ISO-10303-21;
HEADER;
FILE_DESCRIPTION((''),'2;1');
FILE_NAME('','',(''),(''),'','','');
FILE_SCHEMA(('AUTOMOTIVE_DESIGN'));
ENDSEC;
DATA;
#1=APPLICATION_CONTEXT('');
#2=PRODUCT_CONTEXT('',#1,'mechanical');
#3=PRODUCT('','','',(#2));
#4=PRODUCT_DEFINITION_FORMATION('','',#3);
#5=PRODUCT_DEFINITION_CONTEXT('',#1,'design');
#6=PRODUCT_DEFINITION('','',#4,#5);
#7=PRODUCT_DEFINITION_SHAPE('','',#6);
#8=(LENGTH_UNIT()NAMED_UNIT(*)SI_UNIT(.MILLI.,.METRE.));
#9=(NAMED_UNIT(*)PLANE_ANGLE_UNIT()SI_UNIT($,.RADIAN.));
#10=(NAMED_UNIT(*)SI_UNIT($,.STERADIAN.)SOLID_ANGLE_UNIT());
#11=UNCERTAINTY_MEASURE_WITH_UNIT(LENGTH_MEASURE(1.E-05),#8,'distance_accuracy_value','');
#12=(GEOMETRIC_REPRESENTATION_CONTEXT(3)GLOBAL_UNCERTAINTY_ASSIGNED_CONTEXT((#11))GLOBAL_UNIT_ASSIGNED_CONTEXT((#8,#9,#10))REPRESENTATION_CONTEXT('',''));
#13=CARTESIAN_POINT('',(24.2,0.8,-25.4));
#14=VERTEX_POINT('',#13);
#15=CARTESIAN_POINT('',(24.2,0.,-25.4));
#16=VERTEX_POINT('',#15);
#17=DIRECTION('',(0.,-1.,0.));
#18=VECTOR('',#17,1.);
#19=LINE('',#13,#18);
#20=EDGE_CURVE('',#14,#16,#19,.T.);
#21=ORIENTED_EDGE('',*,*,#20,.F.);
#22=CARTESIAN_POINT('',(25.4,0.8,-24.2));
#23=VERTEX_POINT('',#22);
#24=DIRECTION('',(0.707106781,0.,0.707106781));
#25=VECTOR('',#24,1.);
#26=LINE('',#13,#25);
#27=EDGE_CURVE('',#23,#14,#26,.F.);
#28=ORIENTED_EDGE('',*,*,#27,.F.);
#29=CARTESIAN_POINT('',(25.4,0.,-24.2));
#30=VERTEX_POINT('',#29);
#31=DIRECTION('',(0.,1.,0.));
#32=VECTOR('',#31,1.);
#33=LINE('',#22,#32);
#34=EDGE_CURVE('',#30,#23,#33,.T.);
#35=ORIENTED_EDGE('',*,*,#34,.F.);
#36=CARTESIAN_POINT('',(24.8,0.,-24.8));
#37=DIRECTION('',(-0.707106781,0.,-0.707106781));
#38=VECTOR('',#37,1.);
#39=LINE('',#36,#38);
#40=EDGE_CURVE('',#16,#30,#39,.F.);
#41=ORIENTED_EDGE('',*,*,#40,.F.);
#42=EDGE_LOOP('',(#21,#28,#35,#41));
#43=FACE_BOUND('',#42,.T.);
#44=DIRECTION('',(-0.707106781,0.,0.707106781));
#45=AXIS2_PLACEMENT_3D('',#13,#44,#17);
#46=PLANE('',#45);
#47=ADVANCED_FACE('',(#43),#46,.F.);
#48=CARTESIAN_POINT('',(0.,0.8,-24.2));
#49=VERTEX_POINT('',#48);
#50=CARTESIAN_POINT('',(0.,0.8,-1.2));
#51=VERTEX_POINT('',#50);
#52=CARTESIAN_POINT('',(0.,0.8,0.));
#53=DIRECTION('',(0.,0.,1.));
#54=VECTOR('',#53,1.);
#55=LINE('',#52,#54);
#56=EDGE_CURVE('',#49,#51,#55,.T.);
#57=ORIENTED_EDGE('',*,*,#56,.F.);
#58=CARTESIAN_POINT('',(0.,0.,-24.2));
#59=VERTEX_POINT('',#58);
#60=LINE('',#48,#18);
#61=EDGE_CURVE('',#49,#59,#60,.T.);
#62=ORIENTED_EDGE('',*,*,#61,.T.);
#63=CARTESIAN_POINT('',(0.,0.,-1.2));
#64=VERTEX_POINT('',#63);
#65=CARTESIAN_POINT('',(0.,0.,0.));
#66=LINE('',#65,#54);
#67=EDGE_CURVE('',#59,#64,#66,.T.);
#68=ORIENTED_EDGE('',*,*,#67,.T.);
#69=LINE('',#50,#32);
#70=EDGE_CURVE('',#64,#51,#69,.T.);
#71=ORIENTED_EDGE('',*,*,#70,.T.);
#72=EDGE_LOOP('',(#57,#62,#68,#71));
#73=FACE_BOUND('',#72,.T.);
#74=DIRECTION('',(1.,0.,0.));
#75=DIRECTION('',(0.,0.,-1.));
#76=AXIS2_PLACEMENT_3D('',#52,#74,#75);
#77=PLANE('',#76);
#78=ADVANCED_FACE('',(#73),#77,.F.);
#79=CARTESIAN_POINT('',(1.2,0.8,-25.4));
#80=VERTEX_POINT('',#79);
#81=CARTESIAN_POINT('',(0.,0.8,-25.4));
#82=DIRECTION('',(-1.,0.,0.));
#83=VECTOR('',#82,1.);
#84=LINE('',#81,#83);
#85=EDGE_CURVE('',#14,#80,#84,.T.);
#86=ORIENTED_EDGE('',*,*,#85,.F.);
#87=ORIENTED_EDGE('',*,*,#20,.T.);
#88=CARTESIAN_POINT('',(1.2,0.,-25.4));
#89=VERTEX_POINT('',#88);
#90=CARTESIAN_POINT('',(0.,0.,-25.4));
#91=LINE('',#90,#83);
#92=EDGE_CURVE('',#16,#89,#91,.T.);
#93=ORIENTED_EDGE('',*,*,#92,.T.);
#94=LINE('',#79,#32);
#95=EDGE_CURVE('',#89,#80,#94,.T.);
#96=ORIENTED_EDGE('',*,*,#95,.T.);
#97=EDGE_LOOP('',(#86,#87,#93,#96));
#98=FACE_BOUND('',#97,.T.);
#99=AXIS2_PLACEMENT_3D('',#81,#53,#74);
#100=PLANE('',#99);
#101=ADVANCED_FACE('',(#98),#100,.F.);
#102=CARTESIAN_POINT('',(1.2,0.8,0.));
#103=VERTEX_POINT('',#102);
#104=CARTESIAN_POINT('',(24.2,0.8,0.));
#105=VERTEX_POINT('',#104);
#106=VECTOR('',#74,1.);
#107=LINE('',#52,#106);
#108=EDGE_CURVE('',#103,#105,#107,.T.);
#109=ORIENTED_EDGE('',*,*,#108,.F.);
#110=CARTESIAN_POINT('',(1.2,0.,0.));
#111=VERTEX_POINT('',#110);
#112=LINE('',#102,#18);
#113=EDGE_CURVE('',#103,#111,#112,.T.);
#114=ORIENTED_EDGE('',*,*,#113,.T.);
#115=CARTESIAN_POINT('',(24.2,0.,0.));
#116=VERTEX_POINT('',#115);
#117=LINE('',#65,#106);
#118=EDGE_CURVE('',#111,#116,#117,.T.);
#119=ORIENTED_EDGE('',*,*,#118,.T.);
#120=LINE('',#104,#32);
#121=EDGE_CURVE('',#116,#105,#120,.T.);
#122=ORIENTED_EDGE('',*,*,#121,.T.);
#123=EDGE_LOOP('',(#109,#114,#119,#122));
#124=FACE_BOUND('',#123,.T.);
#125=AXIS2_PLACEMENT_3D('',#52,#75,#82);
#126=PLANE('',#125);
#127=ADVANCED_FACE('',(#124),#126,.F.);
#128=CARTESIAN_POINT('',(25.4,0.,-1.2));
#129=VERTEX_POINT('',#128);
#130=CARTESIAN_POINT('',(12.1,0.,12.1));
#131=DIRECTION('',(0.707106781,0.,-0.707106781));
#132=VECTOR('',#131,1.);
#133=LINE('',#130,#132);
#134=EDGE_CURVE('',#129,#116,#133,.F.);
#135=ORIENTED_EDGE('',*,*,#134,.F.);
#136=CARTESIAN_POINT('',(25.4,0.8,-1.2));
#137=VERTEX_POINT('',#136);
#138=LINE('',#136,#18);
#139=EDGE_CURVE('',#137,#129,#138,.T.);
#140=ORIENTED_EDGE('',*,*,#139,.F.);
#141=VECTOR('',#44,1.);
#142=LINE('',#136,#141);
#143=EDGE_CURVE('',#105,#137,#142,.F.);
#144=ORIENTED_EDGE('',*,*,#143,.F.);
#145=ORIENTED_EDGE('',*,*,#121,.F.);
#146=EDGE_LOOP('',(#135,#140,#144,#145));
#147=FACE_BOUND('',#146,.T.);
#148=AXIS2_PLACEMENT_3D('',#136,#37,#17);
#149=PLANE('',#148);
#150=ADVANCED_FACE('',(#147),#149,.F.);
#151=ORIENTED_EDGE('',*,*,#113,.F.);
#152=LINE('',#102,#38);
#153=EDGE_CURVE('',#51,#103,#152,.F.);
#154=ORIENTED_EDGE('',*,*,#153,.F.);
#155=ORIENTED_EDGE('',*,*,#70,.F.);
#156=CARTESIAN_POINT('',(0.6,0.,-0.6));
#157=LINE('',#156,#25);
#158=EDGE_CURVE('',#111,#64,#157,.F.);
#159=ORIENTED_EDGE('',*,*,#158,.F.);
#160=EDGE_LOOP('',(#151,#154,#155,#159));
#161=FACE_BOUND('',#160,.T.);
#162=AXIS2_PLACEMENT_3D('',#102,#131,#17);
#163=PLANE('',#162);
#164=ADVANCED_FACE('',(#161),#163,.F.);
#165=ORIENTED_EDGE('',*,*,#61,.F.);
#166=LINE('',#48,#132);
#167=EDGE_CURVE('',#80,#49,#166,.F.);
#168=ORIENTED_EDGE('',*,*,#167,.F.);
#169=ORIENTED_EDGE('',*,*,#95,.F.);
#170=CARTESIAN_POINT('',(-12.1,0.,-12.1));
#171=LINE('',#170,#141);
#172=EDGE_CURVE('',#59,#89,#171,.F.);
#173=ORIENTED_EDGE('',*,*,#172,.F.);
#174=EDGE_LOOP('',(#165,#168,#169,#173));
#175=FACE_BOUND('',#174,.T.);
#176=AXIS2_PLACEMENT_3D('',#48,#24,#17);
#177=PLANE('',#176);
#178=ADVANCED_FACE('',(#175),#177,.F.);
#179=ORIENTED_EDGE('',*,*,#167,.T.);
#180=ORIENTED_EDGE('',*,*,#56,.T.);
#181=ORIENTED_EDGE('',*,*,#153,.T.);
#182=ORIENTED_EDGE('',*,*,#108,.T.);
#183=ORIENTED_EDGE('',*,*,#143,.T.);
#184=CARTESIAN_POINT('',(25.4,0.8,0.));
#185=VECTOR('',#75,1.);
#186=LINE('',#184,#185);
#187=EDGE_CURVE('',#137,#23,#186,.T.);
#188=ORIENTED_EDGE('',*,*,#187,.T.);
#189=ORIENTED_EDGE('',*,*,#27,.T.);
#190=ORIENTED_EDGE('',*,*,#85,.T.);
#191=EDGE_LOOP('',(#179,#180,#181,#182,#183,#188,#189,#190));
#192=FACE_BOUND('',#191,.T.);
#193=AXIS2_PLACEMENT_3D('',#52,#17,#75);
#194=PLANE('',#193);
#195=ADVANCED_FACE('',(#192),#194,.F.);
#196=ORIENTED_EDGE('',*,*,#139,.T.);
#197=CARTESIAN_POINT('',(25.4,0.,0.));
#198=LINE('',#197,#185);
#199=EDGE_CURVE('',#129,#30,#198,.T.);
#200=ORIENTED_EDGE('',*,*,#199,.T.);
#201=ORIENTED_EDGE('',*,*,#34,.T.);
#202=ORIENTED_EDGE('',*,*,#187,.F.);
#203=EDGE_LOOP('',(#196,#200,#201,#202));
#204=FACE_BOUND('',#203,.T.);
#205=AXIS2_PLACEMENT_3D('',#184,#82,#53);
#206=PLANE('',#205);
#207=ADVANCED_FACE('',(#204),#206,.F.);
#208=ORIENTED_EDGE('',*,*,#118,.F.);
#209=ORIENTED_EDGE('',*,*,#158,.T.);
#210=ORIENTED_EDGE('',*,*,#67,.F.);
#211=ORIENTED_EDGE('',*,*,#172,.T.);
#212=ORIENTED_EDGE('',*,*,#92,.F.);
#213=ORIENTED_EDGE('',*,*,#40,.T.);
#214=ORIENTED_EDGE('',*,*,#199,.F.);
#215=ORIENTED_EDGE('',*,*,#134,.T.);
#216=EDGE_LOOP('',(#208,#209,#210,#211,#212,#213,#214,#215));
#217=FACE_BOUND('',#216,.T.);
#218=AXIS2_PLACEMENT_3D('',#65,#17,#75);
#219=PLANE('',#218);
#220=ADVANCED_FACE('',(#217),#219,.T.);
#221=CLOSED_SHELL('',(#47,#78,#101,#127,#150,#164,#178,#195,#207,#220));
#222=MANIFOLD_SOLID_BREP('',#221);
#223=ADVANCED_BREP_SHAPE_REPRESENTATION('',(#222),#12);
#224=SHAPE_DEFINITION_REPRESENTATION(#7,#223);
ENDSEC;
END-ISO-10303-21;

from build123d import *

# Parameters (mm, degrees)
ESQUISSE1_W        = 25.4
ESQUISSE1_H        = 25.4
BOSS_EXTRU_1_DEPTH = 0.8
CHANFREIN1_SIZE    = 1.2


with BuildPart() as part:
    # Esquisse1 → Boss.-Extru.1 (new body)
    with BuildSketch(Plane(origin=(0, 0, 0), x_dir=(1, 0, 0), z_dir=(0, 1, 0))):
        with Locations((12.7, 12.7)):
            Rectangle(ESQUISSE1_W, ESQUISSE1_H)
    extrude(amount=BOSS_EXTRU_1_DEPTH)

    # Chanfrein1
    chanfrein1_edges = [part.edges().sort_by_distance(p)[0] for p in [
        (0, 0.4, -25.4),
        (25.4, 0.4, -25.4),
        (25.4, 0.4, 0),
        (0, 0.4, 0),
    ]]
    chamfer(chanfrein1_edges, length=CHANFREIN1_SIZE)


solid = part.part
